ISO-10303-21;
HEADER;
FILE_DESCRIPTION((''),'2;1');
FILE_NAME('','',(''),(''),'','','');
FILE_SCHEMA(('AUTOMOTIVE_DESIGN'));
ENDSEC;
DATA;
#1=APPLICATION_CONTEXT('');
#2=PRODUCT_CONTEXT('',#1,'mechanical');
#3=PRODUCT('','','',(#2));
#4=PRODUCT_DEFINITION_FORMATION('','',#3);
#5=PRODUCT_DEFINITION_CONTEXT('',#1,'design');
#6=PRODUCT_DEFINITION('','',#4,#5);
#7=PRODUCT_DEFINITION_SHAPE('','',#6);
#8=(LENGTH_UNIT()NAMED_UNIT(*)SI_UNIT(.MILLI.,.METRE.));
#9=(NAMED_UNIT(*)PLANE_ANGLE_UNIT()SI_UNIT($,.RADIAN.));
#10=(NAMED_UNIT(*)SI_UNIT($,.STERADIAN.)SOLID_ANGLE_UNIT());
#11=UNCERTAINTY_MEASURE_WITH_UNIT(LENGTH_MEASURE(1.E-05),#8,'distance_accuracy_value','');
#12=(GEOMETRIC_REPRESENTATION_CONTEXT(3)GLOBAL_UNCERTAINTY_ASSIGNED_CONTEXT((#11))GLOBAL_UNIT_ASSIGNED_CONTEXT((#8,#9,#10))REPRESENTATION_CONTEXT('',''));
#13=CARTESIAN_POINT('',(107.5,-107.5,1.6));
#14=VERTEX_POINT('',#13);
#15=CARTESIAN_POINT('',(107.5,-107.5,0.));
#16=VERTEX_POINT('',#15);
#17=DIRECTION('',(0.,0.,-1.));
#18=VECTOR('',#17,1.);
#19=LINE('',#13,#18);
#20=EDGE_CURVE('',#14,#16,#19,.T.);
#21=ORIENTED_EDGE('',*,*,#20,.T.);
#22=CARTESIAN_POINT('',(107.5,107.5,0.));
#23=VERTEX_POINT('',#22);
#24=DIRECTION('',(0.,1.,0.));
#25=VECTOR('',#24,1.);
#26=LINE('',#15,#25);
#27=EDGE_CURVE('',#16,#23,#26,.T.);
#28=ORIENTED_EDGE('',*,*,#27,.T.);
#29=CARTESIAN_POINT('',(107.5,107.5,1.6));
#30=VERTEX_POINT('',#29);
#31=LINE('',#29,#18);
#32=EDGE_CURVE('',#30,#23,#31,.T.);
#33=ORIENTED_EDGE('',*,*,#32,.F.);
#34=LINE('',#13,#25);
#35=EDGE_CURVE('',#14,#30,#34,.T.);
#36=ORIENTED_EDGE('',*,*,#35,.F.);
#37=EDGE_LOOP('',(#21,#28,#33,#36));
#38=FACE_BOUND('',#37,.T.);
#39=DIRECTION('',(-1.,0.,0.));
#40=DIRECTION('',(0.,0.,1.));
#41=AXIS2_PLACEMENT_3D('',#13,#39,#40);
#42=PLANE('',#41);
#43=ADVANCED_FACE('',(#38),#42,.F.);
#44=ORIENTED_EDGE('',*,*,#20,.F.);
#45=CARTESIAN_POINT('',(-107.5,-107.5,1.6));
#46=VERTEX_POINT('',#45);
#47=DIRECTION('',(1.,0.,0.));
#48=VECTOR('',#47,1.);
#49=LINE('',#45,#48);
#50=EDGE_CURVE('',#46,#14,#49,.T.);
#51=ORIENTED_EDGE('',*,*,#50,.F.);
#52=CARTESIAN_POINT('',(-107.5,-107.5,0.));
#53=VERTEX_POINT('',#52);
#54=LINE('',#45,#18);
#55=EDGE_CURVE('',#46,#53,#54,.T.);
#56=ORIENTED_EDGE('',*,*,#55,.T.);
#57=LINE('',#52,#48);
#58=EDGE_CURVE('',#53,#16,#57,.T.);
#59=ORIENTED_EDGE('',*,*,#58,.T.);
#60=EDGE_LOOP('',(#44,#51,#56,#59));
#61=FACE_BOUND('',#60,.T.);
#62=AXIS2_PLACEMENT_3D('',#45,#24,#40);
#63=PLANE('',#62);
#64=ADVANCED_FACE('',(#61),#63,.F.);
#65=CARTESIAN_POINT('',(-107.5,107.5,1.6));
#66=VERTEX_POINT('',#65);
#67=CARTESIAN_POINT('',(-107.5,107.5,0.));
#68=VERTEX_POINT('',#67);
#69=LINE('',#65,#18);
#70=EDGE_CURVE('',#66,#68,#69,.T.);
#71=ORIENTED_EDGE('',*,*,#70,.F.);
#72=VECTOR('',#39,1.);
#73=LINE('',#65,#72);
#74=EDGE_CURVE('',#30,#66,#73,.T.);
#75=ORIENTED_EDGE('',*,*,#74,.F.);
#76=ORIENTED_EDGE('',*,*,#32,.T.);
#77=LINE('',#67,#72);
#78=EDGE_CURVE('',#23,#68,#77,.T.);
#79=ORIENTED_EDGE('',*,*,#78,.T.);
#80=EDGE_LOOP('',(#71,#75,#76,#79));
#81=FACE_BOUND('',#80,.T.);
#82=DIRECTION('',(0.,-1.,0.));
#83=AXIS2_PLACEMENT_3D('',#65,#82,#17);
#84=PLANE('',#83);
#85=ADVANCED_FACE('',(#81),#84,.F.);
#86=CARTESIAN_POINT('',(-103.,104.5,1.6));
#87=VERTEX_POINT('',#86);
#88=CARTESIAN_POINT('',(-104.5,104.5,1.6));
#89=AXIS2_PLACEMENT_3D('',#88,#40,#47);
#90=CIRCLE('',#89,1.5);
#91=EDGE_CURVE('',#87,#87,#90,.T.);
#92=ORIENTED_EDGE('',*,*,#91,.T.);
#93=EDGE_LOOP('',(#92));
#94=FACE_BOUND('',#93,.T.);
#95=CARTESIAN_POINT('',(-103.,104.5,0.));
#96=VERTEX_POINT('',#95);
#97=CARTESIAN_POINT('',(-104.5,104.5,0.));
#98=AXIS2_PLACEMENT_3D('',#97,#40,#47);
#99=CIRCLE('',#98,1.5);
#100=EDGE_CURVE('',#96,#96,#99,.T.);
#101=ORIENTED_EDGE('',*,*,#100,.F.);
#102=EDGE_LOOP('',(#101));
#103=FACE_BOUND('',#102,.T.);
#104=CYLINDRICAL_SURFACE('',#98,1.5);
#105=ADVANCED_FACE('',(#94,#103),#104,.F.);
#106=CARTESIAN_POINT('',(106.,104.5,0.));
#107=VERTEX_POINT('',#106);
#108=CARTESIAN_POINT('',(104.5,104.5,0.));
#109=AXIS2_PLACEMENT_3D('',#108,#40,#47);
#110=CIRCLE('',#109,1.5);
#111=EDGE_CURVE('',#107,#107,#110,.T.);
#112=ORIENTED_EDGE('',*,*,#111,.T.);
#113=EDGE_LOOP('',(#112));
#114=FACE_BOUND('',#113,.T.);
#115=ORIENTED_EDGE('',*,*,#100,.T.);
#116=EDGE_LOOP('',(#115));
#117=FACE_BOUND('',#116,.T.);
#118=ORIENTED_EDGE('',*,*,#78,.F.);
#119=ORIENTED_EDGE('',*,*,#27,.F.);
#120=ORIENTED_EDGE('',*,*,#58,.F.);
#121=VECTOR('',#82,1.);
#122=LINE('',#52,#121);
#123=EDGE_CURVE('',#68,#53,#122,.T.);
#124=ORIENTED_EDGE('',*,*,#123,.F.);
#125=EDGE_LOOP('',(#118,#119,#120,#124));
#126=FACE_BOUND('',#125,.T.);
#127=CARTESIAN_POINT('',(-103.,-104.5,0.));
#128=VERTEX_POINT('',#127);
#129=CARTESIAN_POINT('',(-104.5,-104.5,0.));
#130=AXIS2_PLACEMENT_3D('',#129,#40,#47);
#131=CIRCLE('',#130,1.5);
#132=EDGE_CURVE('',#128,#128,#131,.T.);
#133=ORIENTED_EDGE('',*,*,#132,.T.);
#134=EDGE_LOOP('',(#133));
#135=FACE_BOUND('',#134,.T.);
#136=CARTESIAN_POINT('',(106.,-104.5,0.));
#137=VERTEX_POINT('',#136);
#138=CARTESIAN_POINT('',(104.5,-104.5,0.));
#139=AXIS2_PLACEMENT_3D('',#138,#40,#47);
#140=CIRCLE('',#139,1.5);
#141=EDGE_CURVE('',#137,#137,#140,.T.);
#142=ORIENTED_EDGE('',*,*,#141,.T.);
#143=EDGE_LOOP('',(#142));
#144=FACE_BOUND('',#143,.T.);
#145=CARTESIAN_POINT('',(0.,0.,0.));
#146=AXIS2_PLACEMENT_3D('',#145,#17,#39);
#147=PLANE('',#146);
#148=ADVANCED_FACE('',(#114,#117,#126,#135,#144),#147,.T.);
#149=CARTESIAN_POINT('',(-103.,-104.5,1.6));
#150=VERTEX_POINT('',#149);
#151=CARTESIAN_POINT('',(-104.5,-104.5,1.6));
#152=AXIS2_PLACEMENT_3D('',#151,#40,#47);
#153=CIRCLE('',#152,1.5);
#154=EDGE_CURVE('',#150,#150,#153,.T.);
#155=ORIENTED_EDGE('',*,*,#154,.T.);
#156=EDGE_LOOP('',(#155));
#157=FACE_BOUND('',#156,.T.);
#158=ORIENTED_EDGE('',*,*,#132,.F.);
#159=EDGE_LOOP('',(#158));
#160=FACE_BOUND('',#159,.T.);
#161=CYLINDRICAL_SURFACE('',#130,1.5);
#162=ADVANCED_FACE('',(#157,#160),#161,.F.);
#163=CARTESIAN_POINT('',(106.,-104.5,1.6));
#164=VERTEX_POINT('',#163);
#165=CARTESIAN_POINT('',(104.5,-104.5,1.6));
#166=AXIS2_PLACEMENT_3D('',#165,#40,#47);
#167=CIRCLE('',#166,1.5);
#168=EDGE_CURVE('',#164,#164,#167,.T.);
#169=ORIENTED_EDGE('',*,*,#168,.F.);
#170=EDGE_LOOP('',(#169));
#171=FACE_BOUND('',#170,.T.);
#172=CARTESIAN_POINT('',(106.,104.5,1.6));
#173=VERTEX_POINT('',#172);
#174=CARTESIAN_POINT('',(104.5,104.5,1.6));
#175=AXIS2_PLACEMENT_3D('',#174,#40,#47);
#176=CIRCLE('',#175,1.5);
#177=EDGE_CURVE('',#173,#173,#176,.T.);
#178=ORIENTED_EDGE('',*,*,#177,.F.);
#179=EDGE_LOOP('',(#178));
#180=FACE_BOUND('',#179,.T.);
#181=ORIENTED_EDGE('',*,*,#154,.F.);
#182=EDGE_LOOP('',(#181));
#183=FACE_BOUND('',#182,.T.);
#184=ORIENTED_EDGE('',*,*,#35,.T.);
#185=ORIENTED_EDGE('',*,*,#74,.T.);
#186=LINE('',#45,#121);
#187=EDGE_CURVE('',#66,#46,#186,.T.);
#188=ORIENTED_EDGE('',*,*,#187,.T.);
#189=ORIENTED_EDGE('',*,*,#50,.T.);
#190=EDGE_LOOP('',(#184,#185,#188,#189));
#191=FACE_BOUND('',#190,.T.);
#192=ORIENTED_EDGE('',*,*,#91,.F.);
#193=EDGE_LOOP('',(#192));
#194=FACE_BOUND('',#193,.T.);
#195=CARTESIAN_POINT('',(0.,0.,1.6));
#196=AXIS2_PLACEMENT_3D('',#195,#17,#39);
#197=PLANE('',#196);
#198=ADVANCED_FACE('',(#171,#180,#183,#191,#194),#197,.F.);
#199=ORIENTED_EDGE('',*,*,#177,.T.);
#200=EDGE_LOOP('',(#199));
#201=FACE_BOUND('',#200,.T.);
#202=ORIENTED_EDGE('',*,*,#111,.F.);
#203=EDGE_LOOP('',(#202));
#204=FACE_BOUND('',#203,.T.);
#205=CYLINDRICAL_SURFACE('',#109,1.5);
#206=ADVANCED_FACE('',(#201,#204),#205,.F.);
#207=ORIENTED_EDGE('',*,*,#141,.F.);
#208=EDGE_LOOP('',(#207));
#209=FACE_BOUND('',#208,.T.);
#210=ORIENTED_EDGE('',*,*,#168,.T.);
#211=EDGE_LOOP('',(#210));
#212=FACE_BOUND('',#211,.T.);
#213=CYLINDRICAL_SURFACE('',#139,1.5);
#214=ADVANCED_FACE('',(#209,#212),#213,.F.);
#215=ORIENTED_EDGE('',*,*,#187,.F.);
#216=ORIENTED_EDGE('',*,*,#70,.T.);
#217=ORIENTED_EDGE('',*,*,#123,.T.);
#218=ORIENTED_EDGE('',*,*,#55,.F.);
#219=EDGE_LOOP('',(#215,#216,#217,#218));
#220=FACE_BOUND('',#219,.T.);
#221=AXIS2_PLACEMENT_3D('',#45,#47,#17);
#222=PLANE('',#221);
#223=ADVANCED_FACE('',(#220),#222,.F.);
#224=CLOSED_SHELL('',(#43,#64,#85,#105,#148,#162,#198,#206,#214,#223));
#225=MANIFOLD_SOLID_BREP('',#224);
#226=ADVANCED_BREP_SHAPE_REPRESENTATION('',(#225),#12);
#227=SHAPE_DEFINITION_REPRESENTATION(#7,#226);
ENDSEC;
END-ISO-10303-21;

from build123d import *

# Parameters (mm, degrees)
SKETCH1_W           = 215
SKETCH1_H           = 215
BOSS_EXTRUDE1_DEPTH = 1.6
SKETCH2_R           = 1.5
CUT_EXTRUDE1_DEPTH  = 153.036377226


with BuildPart() as part:
    # Sketch1 → Boss-Extrude1 (new body)
    with BuildSketch(Plane.XY):
        Rectangle(SKETCH1_W, SKETCH1_H)
    extrude(amount=BOSS_EXTRUDE1_DEPTH)

    # Sketch2 → Cut-Extrude1 (cut, through all)
    with BuildSketch(Plane.XY.offset(1.6)):
        with Locations((-104.5, 104.5)):
            Circle(SKETCH2_R)
        with Locations((104.5, 104.5)):
            Circle(SKETCH2_R)
        with Locations((104.5, -104.5)):
            Circle(SKETCH2_R)
        with Locations((-104.5, -104.5)):
            Circle(SKETCH2_R)
    extrude(amount=-CUT_EXTRUDE1_DEPTH, mode=Mode.SUBTRACT)


solid = part.part
